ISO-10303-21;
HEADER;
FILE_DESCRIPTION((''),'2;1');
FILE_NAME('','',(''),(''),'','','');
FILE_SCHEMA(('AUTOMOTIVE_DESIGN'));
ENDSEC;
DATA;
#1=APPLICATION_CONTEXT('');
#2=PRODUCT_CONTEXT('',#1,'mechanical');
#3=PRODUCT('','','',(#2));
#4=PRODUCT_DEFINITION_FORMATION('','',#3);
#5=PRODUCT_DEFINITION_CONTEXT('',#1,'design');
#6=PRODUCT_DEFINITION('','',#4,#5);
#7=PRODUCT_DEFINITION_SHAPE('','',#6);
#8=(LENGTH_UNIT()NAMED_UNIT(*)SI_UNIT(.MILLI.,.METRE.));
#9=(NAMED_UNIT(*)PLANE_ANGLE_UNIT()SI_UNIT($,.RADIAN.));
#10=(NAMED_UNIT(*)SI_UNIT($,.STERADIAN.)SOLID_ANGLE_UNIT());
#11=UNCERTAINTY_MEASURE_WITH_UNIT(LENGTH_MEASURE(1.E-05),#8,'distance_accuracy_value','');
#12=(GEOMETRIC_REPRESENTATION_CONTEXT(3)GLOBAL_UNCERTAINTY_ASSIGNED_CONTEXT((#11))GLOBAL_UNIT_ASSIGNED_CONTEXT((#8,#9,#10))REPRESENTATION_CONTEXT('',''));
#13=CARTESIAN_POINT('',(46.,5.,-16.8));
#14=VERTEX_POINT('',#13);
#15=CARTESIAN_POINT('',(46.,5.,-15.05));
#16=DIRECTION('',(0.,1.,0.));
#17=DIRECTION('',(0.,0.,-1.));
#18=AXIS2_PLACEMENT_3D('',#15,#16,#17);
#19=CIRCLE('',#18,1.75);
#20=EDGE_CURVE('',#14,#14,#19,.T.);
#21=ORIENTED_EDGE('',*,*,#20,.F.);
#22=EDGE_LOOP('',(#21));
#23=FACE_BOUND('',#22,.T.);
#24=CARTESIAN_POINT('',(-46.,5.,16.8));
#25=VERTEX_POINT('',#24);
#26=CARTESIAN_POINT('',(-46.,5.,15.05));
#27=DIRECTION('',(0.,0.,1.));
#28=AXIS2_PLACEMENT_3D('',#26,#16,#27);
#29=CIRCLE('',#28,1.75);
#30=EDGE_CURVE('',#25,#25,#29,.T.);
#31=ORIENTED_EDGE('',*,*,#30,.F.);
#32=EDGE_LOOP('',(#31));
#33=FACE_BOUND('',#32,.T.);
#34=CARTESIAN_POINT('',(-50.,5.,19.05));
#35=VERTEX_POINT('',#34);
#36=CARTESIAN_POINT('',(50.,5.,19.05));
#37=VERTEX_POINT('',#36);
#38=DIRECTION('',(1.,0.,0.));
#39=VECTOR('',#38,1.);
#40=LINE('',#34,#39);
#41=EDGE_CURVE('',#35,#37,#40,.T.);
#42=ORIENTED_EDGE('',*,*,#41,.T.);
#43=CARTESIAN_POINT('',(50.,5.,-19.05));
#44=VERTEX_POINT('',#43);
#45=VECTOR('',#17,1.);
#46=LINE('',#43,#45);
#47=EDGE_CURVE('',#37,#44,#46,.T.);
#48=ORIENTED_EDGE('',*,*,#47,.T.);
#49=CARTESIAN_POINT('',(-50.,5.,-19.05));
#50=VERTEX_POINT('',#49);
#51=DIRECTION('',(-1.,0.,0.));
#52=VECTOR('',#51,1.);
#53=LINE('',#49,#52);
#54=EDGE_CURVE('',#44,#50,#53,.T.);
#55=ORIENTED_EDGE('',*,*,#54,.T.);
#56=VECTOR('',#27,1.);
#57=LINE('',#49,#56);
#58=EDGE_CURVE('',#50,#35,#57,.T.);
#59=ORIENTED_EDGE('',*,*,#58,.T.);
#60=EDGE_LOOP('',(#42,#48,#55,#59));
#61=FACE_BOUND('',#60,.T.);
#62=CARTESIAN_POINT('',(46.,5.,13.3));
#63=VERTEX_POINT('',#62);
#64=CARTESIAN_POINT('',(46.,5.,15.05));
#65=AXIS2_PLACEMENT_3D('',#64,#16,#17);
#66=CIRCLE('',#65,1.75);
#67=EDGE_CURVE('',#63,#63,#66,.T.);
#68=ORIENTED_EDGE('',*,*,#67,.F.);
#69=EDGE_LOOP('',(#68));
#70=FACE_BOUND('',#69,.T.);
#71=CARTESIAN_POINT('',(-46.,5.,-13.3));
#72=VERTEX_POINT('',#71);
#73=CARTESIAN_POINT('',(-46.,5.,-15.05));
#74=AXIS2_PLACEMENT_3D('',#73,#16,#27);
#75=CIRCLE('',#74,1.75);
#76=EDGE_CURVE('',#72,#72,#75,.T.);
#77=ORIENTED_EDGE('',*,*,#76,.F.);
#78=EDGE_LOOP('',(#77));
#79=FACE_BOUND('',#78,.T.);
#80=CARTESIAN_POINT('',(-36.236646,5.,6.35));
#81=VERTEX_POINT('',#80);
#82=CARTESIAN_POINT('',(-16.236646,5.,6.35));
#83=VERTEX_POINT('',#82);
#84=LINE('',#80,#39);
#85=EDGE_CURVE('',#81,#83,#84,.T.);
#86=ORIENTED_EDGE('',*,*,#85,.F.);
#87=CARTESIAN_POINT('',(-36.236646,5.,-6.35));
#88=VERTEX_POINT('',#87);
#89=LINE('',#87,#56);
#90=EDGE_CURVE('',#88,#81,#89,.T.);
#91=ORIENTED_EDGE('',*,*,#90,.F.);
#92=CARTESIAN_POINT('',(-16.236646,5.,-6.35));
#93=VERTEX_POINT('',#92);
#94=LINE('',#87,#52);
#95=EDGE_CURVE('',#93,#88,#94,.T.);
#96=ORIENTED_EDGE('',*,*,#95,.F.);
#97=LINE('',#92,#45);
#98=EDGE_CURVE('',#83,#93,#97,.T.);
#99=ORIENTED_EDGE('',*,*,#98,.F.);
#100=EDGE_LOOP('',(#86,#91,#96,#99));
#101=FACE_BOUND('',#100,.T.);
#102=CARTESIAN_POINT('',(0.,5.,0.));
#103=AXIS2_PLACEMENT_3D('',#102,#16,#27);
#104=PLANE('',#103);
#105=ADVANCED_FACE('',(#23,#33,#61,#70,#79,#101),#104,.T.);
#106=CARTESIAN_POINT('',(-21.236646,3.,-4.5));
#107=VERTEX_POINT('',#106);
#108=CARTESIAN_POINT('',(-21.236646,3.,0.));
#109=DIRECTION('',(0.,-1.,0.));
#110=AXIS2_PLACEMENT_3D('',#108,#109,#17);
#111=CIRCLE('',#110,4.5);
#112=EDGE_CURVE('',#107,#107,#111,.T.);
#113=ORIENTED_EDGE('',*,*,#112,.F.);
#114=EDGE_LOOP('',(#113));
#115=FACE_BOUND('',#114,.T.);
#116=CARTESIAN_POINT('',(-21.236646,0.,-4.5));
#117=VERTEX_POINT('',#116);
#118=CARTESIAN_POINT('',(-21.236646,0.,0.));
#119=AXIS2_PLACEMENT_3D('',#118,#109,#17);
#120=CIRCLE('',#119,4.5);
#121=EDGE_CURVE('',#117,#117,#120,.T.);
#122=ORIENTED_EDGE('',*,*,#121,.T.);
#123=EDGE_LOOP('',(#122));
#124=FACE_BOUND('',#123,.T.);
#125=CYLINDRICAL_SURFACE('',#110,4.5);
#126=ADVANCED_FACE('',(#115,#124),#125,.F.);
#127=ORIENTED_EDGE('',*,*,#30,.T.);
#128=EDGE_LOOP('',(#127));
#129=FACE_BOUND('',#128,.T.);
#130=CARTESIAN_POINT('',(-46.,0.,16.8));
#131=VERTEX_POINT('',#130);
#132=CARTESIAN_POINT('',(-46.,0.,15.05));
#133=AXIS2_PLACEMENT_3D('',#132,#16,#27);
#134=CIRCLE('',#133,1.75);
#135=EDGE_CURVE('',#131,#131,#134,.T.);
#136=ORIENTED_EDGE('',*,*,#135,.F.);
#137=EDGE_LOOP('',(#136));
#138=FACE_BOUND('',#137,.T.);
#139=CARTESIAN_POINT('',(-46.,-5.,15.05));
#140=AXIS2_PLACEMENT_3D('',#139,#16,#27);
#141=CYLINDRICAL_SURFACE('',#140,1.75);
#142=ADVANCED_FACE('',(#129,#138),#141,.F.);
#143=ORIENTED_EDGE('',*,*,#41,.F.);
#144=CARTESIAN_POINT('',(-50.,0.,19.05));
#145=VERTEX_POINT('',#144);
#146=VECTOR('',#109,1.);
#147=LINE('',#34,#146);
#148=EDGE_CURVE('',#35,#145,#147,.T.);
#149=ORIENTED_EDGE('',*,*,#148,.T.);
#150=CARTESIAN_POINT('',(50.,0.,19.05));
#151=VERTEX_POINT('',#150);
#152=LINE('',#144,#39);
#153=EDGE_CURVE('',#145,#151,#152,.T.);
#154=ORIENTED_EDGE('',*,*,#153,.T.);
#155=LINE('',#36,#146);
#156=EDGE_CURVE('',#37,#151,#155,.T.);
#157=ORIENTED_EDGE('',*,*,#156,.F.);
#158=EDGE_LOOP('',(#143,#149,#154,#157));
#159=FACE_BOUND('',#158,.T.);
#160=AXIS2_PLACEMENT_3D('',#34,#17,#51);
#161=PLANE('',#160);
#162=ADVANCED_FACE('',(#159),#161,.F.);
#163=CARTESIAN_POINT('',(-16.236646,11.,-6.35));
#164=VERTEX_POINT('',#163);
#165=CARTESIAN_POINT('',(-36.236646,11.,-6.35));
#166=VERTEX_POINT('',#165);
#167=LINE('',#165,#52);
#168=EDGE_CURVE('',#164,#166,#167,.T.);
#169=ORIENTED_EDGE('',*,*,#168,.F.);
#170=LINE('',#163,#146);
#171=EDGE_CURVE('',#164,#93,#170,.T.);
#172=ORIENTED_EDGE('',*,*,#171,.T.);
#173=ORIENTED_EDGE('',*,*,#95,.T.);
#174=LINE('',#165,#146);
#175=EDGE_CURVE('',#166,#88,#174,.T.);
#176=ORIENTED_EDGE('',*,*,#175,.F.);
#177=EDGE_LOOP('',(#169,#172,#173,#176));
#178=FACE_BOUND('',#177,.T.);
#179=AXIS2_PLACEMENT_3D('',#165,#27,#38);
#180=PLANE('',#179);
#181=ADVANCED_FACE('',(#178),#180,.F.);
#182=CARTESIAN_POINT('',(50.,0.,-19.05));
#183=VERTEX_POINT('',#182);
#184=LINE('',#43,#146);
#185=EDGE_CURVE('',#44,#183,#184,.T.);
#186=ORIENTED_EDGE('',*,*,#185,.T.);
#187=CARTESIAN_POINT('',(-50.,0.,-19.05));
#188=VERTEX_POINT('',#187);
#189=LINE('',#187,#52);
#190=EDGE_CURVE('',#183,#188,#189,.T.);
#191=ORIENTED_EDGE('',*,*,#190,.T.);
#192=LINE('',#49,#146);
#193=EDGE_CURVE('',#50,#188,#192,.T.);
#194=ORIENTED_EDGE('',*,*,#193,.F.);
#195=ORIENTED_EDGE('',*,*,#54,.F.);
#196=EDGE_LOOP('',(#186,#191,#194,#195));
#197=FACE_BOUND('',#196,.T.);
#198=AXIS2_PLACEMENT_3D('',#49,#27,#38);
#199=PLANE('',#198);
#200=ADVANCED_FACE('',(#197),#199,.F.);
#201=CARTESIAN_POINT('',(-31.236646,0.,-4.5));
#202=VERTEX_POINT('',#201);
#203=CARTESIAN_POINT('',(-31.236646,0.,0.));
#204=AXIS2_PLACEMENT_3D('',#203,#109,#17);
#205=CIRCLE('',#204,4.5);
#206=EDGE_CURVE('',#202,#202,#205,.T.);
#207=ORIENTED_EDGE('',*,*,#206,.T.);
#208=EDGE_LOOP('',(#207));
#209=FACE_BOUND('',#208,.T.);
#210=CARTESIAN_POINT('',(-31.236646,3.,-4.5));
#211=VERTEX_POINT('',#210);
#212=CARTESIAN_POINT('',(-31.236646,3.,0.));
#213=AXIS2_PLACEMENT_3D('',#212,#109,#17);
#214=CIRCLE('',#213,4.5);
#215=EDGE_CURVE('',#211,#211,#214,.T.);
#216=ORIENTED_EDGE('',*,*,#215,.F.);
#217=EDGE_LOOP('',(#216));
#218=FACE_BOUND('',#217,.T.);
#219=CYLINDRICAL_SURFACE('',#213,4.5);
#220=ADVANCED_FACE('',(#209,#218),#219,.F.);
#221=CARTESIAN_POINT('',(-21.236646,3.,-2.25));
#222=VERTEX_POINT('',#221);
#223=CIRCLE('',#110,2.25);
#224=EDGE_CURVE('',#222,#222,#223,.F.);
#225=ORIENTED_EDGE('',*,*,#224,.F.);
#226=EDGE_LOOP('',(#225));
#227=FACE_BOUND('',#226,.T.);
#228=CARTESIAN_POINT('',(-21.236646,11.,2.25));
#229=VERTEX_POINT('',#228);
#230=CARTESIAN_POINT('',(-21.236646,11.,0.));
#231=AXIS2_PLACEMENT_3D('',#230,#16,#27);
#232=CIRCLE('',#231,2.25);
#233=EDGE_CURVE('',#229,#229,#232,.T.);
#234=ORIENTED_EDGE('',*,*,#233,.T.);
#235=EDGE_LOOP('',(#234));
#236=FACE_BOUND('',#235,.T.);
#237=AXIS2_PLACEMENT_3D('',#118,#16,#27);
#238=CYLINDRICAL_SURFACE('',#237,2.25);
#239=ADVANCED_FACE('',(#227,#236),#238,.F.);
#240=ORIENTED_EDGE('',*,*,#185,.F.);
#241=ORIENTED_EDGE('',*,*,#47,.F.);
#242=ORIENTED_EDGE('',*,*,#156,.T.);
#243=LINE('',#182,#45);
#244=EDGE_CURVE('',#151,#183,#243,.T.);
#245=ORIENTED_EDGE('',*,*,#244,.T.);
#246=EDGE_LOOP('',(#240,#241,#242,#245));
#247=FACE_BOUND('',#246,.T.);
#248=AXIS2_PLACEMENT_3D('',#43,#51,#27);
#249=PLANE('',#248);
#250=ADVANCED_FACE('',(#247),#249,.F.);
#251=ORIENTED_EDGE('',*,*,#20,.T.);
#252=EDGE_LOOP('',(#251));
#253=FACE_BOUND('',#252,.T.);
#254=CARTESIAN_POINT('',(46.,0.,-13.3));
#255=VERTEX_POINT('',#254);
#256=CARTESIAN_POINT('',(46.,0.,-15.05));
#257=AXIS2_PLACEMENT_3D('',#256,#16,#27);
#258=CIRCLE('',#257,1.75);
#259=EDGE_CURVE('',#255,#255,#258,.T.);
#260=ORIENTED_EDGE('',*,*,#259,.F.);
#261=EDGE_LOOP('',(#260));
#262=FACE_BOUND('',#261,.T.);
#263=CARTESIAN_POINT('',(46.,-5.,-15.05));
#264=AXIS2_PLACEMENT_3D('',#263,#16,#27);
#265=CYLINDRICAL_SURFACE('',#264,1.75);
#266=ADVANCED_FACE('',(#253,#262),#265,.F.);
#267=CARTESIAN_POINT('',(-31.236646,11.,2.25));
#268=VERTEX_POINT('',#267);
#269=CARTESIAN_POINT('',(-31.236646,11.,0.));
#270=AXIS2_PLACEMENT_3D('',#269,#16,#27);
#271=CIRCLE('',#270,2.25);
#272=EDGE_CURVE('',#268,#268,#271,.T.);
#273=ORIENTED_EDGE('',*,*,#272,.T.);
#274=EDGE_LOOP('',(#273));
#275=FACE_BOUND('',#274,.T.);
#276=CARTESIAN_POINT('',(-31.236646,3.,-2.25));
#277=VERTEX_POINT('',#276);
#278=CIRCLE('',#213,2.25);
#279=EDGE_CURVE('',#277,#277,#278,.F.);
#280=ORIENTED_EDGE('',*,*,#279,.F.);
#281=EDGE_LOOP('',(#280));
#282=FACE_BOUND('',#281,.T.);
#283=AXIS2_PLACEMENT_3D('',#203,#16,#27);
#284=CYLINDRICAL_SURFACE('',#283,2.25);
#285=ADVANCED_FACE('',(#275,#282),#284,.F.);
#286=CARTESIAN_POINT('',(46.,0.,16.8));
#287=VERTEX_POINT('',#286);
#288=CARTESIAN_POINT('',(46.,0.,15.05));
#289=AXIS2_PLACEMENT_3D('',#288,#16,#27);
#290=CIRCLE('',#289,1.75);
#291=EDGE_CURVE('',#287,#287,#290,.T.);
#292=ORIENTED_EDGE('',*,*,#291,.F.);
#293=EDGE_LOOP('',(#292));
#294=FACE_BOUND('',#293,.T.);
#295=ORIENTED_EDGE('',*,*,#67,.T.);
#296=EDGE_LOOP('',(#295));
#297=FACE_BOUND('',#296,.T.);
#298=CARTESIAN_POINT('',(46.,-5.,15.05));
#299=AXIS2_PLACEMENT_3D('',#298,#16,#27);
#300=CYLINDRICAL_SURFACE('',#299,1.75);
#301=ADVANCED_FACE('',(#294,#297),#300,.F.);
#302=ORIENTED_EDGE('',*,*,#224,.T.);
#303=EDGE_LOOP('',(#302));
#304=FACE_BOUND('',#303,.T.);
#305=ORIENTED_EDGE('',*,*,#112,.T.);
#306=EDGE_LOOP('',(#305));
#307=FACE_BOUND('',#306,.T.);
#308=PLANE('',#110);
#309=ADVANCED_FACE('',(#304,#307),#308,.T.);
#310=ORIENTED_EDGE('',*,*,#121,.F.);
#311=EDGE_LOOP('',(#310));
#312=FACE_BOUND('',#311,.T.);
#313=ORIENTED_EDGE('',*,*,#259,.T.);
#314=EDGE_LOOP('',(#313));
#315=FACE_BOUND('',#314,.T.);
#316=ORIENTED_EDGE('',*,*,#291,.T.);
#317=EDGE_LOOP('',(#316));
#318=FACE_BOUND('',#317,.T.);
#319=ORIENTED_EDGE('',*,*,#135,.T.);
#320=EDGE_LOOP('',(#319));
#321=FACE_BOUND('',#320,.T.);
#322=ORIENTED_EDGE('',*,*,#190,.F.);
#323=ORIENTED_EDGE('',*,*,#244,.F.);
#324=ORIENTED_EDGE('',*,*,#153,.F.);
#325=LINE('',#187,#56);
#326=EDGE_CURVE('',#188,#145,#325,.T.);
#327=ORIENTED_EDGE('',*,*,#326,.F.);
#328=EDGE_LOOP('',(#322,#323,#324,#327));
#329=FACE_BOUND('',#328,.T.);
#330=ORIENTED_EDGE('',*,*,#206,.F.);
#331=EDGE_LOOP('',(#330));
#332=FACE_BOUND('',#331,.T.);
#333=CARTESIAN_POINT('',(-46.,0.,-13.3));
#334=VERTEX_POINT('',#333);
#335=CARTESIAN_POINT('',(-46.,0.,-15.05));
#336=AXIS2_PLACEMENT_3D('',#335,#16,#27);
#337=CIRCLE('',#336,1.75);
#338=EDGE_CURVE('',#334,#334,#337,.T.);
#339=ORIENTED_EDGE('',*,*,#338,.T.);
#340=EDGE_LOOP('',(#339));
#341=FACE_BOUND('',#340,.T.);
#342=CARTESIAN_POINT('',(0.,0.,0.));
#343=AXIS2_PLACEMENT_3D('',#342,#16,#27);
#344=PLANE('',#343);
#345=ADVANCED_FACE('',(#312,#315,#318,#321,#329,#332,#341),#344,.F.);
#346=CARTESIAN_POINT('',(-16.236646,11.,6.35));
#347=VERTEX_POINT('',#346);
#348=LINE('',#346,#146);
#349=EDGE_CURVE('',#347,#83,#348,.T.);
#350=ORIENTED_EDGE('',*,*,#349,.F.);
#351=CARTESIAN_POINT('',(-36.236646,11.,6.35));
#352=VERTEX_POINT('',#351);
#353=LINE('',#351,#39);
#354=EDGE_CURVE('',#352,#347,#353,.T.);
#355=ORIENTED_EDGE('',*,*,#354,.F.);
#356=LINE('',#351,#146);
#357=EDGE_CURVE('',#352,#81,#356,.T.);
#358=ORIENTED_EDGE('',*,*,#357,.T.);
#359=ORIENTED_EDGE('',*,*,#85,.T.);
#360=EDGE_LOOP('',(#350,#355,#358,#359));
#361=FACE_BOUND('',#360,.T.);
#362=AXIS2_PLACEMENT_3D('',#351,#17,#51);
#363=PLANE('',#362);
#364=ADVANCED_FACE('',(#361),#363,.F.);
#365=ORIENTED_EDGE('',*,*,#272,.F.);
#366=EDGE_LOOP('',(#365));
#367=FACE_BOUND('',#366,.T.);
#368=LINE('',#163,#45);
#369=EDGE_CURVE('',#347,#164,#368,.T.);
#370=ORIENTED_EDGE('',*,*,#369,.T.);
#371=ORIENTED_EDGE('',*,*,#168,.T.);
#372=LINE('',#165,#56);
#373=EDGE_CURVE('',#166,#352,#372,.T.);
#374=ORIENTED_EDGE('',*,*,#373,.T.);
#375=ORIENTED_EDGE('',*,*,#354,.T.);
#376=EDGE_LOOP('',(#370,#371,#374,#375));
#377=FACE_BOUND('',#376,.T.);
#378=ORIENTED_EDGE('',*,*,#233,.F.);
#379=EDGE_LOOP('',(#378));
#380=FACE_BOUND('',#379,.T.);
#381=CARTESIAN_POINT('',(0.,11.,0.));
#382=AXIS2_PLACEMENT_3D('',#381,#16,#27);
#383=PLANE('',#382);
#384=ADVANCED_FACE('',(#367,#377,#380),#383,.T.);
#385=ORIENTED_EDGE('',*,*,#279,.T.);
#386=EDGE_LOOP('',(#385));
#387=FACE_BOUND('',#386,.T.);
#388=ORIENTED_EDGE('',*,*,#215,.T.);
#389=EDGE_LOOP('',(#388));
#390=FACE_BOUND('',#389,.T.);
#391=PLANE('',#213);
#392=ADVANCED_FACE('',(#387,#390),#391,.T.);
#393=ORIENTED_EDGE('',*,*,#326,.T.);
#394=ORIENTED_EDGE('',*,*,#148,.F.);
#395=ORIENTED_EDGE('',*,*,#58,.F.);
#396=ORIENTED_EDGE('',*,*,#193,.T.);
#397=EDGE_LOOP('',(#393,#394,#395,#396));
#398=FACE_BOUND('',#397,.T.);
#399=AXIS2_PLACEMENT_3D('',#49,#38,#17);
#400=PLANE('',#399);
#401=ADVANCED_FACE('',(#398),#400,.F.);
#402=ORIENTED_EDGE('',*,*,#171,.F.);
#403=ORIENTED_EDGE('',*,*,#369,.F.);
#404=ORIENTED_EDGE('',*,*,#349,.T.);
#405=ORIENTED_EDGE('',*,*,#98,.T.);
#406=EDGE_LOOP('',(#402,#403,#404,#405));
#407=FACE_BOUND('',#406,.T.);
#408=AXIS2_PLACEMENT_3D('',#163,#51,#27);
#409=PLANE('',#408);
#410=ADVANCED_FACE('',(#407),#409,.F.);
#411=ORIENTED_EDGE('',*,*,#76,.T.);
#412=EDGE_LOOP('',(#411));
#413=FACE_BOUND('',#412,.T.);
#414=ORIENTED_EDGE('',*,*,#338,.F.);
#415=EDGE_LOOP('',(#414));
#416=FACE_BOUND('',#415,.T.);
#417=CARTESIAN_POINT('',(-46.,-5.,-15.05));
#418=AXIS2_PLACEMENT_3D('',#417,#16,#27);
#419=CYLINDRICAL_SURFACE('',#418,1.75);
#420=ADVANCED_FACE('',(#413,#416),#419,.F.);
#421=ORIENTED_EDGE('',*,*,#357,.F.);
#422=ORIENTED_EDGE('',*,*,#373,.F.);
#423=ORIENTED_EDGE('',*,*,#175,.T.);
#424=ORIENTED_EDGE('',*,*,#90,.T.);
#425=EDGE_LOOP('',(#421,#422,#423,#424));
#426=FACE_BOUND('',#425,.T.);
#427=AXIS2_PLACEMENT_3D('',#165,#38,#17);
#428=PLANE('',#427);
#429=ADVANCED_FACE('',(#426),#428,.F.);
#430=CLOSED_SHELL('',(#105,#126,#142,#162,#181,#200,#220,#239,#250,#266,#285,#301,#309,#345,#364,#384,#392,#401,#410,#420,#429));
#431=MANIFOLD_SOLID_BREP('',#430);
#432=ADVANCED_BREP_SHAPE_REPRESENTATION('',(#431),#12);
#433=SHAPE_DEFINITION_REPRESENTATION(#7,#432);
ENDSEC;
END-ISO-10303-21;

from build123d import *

# Parameters (mm, degrees)
SKETCH1_W                   = 100
SKETCH1_H                   = 38.1
BOSS_EXTRUDE1_DEPTH         = 5
SKETCH2_W                   = 20
SKETCH2_H                   = 12.7
BOSS_EXTRUDE2_DEPTH         = 6
TAP_DRILL_FOR_M4X0_7_TAP1_D = 3.3
SKETCH3_R                   = 2.25
CUT_EXTRUDE1_DEPTH          = 55.625108696
SKETCH12_R                  = 4.5
CUT_EXTRUDE2_DEPTH          = 3
SKETCH13_R                  = 1.75
CUT_EXTRUDE3_DEPTH          = 10


with BuildPart() as part:
    # Sketch1 → Boss-Extrude1 (new body)
    with BuildSketch(Plane(origin=(0, 0, 0), x_dir=(1, 0, 0), z_dir=(0, 1, 0))):
        Rectangle(SKETCH1_W, SKETCH1_H)
    extrude(amount=BOSS_EXTRUDE1_DEPTH)

    # Sketch2 → Boss-Extrude2 (add)
    with BuildSketch(Plane(origin=(0, 5, 0), x_dir=(1, 0, 0), z_dir=(0, 1, 0))):
        with Locations((-26.236645744, 0)):
            Rectangle(SKETCH2_W, SKETCH2_H)
    extrude(amount=BOSS_EXTRUDE2_DEPTH)

    # Tap Drill for M4x0.7 Tap1 (through all)
    with Locations(Plane(origin=(0, 11, 0), x_dir=(1, 0, 0), z_dir=(0, 1, 0))):
        with Locations((-31.236645744, 0), (-21.236645744, 0)):
            Hole(TAP_DRILL_FOR_M4X0_7_TAP1_D / 2)

    # Sketch3 → Cut-Extrude1 (cut, through all)
    with BuildSketch(Plane(origin=(0, 11, 0), x_dir=(1, 0, 0), z_dir=(0, 1, 0))):
        with Locations(Location((-21.236645744, 0, 0), (0, 0, 270))):
            Circle(SKETCH3_R)
        with Locations(Location((-31.236645744, 0, 0), (0, 0, 270))):
            Circle(SKETCH3_R)
    extrude(amount=-CUT_EXTRUDE1_DEPTH, mode=Mode.SUBTRACT)

    # Sketch12 → Cut-Extrude2 (cut)
    with BuildSketch(Plane.XZ):
        with Locations(Location((-31.236645744, 0, 0), (0, 0, 270))):
            Circle(SKETCH12_R)
        with Locations(Location((-21.236645744, 0, 0), (0, 0, 270))):
            Circle(SKETCH12_R)
    extrude(amount=-CUT_EXTRUDE2_DEPTH, mode=Mode.SUBTRACT)

    # Sketch13 → Cut-Extrude3 (cut)
    with BuildSketch(Plane(origin=(0, 5, 0), x_dir=(1, 0, 0), z_dir=(0, 1, 0))):
        with Locations(Location((-46, 15.05, 0), (0, 0, 270))):
            Circle(SKETCH13_R)
        with Locations(Location((-46, -15.05, 0), (0, 0, 270))):
            Circle(SKETCH13_R)
        with Locations(Location((46, -15.05, 0), (0, 0, 270))):
            Circle(SKETCH13_R)
        with Locations(Location((46, 15.05, 0), (0, 0, 270))):
            Circle(SKETCH13_R)
    extrude(amount=-CUT_EXTRUDE3_DEPTH, mode=Mode.SUBTRACT)


solid = part.part
